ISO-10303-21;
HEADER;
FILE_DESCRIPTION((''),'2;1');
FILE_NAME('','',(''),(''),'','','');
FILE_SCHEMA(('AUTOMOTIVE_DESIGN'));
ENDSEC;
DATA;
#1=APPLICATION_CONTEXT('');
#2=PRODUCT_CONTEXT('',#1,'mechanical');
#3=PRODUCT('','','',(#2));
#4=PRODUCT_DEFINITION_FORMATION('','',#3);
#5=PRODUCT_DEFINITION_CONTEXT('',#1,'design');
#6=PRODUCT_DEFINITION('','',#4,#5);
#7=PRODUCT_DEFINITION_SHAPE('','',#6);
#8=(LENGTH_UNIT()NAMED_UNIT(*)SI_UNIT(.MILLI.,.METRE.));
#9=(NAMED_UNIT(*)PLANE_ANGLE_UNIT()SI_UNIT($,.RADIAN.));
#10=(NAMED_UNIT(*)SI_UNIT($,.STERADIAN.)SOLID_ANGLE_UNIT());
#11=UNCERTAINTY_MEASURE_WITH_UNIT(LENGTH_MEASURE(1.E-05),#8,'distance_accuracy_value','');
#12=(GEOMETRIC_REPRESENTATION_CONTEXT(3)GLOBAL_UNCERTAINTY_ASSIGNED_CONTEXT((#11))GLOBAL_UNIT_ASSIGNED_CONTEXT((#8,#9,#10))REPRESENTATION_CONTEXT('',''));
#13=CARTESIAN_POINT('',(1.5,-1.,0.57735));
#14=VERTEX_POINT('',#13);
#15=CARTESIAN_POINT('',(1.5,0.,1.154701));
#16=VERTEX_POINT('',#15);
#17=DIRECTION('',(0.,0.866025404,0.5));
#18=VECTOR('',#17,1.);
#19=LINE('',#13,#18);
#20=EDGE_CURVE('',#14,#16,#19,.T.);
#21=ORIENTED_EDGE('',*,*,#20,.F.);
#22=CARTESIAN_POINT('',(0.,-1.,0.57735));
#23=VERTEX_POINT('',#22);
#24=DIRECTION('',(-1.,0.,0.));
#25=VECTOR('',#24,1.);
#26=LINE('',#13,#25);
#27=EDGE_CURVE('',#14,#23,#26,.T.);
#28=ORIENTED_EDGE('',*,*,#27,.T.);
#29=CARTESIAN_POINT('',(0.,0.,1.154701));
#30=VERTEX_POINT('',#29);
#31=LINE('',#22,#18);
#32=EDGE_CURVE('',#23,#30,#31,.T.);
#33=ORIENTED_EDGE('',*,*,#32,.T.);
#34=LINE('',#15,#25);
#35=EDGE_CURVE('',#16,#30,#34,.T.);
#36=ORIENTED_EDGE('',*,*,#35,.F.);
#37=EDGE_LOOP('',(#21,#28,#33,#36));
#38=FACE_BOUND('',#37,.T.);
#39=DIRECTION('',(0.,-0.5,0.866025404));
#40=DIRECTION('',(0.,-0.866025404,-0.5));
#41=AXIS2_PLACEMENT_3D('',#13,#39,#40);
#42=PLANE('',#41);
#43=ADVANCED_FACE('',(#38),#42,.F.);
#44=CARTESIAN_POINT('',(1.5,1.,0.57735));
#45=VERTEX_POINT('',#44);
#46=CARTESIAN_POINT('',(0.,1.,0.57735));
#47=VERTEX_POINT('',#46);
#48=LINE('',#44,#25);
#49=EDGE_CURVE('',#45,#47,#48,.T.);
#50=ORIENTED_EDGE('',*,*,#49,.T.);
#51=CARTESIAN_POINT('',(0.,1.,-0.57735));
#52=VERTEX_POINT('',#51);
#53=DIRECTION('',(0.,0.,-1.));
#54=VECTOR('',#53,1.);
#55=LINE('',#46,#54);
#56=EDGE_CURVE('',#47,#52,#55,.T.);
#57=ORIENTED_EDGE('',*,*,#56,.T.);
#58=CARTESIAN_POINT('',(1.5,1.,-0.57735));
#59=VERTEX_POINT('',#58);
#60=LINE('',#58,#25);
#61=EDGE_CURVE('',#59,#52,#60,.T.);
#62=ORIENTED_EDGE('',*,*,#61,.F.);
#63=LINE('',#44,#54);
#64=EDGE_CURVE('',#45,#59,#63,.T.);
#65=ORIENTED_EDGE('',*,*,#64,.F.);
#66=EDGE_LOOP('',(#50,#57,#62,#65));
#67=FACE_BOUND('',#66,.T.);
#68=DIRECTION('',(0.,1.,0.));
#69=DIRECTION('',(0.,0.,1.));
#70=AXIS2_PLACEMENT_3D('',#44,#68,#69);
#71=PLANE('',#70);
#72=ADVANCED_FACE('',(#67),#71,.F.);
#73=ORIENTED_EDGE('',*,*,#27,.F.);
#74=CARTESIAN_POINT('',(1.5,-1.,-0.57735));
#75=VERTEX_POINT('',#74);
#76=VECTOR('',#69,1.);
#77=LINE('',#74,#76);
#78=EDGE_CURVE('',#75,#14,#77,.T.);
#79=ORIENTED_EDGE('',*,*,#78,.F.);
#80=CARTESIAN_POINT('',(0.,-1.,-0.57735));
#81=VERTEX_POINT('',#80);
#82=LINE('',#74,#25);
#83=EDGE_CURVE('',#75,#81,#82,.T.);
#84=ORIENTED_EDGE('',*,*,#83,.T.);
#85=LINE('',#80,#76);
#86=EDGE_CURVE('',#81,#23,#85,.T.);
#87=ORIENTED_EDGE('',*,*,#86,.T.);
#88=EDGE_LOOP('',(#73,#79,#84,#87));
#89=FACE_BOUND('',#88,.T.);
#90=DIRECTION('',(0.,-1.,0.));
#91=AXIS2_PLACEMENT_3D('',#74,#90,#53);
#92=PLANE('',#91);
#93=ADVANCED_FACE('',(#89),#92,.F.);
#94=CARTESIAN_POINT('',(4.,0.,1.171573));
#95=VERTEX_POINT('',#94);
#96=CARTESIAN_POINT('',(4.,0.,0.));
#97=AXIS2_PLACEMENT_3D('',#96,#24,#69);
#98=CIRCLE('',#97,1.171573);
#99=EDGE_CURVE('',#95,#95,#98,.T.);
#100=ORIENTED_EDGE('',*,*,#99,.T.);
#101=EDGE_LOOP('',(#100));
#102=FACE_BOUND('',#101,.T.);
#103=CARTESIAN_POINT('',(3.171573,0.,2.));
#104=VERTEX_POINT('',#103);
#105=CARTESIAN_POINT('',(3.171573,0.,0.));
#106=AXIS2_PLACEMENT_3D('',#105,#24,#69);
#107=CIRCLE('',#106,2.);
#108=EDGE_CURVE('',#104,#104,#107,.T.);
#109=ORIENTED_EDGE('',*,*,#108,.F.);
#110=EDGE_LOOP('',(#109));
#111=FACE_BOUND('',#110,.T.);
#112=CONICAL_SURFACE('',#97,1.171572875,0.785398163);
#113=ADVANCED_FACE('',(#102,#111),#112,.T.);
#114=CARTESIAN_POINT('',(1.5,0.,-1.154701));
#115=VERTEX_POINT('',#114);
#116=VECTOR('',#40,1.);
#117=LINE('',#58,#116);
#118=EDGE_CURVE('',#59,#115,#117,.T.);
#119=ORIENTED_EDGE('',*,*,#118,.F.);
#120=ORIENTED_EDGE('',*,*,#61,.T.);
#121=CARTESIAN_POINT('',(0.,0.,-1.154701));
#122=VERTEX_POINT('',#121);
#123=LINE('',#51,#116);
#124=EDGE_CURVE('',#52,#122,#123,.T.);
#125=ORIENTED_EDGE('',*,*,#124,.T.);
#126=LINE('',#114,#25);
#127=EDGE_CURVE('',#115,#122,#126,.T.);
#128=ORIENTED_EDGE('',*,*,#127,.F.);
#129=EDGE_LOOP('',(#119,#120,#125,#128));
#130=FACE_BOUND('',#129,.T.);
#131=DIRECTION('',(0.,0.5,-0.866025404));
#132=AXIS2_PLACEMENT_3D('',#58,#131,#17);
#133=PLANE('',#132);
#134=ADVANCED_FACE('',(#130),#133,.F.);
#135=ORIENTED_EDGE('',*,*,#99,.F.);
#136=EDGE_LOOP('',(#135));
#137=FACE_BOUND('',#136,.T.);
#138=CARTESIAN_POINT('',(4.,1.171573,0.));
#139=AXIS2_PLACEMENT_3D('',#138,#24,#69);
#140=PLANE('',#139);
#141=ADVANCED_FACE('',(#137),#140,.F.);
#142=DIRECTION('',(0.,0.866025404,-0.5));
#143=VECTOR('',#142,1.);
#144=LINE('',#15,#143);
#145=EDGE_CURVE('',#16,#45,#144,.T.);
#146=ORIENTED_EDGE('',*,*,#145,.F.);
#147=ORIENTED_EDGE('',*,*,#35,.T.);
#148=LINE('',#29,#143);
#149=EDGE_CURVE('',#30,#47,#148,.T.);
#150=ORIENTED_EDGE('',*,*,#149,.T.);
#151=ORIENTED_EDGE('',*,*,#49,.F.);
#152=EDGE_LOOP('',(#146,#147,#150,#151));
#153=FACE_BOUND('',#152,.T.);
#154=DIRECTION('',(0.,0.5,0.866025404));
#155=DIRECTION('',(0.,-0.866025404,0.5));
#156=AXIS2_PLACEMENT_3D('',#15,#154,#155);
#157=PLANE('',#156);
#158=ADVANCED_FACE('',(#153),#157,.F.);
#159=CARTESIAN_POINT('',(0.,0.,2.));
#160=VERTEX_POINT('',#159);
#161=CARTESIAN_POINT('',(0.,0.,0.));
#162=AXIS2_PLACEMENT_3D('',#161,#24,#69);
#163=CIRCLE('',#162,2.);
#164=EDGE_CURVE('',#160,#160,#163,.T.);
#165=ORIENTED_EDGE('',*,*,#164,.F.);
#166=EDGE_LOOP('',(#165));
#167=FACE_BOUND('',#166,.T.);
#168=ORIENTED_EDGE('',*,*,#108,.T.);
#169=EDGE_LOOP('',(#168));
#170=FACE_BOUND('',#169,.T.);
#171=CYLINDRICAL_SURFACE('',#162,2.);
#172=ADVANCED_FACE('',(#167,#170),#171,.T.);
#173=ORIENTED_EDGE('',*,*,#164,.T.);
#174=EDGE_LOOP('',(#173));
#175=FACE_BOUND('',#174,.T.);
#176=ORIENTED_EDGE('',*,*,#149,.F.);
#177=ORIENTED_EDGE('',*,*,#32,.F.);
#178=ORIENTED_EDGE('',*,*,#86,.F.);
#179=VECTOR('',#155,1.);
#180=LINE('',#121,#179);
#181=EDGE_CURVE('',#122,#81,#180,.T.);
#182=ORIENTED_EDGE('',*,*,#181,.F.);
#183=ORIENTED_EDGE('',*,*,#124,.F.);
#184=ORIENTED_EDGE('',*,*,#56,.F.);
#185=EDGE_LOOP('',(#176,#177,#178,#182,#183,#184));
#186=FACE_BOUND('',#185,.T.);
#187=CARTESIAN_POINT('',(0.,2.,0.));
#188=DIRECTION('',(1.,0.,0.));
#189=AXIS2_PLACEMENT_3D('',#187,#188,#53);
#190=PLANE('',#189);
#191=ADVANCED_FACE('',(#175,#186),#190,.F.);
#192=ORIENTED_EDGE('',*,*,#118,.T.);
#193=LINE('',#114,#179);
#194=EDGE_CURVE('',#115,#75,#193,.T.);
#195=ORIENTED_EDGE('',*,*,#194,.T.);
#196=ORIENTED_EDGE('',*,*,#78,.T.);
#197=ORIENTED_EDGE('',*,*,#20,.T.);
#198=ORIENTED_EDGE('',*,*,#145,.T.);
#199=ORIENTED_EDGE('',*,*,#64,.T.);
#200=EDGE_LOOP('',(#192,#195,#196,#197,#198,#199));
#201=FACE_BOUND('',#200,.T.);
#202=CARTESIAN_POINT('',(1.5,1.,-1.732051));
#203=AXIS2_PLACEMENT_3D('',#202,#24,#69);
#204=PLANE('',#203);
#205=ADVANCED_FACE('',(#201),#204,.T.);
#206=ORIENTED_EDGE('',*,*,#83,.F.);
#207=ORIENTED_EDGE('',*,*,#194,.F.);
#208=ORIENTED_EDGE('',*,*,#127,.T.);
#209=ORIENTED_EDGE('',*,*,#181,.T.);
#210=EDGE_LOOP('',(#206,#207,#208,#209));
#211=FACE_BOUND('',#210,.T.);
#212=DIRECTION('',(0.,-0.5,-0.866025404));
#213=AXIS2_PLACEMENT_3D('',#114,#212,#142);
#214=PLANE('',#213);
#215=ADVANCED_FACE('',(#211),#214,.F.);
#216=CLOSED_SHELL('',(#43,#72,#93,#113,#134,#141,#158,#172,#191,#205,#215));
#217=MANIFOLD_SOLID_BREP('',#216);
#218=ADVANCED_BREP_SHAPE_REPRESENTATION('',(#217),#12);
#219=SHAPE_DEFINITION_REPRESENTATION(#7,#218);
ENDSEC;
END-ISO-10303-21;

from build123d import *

# Parameters (mm, degrees)
CUT_EXTRUDE1_DEPTH = 1.5


with BuildPart() as part:
    # Sketch1 → Revolve1 (revolve)
    with BuildSketch(Plane.XY, mode=Mode.PRIVATE) as revolve1_sk:
        Polygon((4, 1.171572875), (4, 0), (0, 0), (0, 2), (3.171572875, 2), align=None)
    revolve(revolve1_sk.sketch.rotate(Axis((0, 0, 0), (1, 0, 0)), 90), axis=Axis((0, 0, 0), (1, 0, 0)))

    # Sketch2 → Cut-Extrude1 (cut)
    with BuildSketch(Plane.ZY):
        Polygon((-0.577350269, 1), (-1.154700538, 0), (-0.577350269, -1), (0.577350269, -1), (1.154700538, 0), (0.577350269, 1), align=None)
    extrude(amount=-CUT_EXTRUDE1_DEPTH, mode=Mode.SUBTRACT)


solid = part.part
